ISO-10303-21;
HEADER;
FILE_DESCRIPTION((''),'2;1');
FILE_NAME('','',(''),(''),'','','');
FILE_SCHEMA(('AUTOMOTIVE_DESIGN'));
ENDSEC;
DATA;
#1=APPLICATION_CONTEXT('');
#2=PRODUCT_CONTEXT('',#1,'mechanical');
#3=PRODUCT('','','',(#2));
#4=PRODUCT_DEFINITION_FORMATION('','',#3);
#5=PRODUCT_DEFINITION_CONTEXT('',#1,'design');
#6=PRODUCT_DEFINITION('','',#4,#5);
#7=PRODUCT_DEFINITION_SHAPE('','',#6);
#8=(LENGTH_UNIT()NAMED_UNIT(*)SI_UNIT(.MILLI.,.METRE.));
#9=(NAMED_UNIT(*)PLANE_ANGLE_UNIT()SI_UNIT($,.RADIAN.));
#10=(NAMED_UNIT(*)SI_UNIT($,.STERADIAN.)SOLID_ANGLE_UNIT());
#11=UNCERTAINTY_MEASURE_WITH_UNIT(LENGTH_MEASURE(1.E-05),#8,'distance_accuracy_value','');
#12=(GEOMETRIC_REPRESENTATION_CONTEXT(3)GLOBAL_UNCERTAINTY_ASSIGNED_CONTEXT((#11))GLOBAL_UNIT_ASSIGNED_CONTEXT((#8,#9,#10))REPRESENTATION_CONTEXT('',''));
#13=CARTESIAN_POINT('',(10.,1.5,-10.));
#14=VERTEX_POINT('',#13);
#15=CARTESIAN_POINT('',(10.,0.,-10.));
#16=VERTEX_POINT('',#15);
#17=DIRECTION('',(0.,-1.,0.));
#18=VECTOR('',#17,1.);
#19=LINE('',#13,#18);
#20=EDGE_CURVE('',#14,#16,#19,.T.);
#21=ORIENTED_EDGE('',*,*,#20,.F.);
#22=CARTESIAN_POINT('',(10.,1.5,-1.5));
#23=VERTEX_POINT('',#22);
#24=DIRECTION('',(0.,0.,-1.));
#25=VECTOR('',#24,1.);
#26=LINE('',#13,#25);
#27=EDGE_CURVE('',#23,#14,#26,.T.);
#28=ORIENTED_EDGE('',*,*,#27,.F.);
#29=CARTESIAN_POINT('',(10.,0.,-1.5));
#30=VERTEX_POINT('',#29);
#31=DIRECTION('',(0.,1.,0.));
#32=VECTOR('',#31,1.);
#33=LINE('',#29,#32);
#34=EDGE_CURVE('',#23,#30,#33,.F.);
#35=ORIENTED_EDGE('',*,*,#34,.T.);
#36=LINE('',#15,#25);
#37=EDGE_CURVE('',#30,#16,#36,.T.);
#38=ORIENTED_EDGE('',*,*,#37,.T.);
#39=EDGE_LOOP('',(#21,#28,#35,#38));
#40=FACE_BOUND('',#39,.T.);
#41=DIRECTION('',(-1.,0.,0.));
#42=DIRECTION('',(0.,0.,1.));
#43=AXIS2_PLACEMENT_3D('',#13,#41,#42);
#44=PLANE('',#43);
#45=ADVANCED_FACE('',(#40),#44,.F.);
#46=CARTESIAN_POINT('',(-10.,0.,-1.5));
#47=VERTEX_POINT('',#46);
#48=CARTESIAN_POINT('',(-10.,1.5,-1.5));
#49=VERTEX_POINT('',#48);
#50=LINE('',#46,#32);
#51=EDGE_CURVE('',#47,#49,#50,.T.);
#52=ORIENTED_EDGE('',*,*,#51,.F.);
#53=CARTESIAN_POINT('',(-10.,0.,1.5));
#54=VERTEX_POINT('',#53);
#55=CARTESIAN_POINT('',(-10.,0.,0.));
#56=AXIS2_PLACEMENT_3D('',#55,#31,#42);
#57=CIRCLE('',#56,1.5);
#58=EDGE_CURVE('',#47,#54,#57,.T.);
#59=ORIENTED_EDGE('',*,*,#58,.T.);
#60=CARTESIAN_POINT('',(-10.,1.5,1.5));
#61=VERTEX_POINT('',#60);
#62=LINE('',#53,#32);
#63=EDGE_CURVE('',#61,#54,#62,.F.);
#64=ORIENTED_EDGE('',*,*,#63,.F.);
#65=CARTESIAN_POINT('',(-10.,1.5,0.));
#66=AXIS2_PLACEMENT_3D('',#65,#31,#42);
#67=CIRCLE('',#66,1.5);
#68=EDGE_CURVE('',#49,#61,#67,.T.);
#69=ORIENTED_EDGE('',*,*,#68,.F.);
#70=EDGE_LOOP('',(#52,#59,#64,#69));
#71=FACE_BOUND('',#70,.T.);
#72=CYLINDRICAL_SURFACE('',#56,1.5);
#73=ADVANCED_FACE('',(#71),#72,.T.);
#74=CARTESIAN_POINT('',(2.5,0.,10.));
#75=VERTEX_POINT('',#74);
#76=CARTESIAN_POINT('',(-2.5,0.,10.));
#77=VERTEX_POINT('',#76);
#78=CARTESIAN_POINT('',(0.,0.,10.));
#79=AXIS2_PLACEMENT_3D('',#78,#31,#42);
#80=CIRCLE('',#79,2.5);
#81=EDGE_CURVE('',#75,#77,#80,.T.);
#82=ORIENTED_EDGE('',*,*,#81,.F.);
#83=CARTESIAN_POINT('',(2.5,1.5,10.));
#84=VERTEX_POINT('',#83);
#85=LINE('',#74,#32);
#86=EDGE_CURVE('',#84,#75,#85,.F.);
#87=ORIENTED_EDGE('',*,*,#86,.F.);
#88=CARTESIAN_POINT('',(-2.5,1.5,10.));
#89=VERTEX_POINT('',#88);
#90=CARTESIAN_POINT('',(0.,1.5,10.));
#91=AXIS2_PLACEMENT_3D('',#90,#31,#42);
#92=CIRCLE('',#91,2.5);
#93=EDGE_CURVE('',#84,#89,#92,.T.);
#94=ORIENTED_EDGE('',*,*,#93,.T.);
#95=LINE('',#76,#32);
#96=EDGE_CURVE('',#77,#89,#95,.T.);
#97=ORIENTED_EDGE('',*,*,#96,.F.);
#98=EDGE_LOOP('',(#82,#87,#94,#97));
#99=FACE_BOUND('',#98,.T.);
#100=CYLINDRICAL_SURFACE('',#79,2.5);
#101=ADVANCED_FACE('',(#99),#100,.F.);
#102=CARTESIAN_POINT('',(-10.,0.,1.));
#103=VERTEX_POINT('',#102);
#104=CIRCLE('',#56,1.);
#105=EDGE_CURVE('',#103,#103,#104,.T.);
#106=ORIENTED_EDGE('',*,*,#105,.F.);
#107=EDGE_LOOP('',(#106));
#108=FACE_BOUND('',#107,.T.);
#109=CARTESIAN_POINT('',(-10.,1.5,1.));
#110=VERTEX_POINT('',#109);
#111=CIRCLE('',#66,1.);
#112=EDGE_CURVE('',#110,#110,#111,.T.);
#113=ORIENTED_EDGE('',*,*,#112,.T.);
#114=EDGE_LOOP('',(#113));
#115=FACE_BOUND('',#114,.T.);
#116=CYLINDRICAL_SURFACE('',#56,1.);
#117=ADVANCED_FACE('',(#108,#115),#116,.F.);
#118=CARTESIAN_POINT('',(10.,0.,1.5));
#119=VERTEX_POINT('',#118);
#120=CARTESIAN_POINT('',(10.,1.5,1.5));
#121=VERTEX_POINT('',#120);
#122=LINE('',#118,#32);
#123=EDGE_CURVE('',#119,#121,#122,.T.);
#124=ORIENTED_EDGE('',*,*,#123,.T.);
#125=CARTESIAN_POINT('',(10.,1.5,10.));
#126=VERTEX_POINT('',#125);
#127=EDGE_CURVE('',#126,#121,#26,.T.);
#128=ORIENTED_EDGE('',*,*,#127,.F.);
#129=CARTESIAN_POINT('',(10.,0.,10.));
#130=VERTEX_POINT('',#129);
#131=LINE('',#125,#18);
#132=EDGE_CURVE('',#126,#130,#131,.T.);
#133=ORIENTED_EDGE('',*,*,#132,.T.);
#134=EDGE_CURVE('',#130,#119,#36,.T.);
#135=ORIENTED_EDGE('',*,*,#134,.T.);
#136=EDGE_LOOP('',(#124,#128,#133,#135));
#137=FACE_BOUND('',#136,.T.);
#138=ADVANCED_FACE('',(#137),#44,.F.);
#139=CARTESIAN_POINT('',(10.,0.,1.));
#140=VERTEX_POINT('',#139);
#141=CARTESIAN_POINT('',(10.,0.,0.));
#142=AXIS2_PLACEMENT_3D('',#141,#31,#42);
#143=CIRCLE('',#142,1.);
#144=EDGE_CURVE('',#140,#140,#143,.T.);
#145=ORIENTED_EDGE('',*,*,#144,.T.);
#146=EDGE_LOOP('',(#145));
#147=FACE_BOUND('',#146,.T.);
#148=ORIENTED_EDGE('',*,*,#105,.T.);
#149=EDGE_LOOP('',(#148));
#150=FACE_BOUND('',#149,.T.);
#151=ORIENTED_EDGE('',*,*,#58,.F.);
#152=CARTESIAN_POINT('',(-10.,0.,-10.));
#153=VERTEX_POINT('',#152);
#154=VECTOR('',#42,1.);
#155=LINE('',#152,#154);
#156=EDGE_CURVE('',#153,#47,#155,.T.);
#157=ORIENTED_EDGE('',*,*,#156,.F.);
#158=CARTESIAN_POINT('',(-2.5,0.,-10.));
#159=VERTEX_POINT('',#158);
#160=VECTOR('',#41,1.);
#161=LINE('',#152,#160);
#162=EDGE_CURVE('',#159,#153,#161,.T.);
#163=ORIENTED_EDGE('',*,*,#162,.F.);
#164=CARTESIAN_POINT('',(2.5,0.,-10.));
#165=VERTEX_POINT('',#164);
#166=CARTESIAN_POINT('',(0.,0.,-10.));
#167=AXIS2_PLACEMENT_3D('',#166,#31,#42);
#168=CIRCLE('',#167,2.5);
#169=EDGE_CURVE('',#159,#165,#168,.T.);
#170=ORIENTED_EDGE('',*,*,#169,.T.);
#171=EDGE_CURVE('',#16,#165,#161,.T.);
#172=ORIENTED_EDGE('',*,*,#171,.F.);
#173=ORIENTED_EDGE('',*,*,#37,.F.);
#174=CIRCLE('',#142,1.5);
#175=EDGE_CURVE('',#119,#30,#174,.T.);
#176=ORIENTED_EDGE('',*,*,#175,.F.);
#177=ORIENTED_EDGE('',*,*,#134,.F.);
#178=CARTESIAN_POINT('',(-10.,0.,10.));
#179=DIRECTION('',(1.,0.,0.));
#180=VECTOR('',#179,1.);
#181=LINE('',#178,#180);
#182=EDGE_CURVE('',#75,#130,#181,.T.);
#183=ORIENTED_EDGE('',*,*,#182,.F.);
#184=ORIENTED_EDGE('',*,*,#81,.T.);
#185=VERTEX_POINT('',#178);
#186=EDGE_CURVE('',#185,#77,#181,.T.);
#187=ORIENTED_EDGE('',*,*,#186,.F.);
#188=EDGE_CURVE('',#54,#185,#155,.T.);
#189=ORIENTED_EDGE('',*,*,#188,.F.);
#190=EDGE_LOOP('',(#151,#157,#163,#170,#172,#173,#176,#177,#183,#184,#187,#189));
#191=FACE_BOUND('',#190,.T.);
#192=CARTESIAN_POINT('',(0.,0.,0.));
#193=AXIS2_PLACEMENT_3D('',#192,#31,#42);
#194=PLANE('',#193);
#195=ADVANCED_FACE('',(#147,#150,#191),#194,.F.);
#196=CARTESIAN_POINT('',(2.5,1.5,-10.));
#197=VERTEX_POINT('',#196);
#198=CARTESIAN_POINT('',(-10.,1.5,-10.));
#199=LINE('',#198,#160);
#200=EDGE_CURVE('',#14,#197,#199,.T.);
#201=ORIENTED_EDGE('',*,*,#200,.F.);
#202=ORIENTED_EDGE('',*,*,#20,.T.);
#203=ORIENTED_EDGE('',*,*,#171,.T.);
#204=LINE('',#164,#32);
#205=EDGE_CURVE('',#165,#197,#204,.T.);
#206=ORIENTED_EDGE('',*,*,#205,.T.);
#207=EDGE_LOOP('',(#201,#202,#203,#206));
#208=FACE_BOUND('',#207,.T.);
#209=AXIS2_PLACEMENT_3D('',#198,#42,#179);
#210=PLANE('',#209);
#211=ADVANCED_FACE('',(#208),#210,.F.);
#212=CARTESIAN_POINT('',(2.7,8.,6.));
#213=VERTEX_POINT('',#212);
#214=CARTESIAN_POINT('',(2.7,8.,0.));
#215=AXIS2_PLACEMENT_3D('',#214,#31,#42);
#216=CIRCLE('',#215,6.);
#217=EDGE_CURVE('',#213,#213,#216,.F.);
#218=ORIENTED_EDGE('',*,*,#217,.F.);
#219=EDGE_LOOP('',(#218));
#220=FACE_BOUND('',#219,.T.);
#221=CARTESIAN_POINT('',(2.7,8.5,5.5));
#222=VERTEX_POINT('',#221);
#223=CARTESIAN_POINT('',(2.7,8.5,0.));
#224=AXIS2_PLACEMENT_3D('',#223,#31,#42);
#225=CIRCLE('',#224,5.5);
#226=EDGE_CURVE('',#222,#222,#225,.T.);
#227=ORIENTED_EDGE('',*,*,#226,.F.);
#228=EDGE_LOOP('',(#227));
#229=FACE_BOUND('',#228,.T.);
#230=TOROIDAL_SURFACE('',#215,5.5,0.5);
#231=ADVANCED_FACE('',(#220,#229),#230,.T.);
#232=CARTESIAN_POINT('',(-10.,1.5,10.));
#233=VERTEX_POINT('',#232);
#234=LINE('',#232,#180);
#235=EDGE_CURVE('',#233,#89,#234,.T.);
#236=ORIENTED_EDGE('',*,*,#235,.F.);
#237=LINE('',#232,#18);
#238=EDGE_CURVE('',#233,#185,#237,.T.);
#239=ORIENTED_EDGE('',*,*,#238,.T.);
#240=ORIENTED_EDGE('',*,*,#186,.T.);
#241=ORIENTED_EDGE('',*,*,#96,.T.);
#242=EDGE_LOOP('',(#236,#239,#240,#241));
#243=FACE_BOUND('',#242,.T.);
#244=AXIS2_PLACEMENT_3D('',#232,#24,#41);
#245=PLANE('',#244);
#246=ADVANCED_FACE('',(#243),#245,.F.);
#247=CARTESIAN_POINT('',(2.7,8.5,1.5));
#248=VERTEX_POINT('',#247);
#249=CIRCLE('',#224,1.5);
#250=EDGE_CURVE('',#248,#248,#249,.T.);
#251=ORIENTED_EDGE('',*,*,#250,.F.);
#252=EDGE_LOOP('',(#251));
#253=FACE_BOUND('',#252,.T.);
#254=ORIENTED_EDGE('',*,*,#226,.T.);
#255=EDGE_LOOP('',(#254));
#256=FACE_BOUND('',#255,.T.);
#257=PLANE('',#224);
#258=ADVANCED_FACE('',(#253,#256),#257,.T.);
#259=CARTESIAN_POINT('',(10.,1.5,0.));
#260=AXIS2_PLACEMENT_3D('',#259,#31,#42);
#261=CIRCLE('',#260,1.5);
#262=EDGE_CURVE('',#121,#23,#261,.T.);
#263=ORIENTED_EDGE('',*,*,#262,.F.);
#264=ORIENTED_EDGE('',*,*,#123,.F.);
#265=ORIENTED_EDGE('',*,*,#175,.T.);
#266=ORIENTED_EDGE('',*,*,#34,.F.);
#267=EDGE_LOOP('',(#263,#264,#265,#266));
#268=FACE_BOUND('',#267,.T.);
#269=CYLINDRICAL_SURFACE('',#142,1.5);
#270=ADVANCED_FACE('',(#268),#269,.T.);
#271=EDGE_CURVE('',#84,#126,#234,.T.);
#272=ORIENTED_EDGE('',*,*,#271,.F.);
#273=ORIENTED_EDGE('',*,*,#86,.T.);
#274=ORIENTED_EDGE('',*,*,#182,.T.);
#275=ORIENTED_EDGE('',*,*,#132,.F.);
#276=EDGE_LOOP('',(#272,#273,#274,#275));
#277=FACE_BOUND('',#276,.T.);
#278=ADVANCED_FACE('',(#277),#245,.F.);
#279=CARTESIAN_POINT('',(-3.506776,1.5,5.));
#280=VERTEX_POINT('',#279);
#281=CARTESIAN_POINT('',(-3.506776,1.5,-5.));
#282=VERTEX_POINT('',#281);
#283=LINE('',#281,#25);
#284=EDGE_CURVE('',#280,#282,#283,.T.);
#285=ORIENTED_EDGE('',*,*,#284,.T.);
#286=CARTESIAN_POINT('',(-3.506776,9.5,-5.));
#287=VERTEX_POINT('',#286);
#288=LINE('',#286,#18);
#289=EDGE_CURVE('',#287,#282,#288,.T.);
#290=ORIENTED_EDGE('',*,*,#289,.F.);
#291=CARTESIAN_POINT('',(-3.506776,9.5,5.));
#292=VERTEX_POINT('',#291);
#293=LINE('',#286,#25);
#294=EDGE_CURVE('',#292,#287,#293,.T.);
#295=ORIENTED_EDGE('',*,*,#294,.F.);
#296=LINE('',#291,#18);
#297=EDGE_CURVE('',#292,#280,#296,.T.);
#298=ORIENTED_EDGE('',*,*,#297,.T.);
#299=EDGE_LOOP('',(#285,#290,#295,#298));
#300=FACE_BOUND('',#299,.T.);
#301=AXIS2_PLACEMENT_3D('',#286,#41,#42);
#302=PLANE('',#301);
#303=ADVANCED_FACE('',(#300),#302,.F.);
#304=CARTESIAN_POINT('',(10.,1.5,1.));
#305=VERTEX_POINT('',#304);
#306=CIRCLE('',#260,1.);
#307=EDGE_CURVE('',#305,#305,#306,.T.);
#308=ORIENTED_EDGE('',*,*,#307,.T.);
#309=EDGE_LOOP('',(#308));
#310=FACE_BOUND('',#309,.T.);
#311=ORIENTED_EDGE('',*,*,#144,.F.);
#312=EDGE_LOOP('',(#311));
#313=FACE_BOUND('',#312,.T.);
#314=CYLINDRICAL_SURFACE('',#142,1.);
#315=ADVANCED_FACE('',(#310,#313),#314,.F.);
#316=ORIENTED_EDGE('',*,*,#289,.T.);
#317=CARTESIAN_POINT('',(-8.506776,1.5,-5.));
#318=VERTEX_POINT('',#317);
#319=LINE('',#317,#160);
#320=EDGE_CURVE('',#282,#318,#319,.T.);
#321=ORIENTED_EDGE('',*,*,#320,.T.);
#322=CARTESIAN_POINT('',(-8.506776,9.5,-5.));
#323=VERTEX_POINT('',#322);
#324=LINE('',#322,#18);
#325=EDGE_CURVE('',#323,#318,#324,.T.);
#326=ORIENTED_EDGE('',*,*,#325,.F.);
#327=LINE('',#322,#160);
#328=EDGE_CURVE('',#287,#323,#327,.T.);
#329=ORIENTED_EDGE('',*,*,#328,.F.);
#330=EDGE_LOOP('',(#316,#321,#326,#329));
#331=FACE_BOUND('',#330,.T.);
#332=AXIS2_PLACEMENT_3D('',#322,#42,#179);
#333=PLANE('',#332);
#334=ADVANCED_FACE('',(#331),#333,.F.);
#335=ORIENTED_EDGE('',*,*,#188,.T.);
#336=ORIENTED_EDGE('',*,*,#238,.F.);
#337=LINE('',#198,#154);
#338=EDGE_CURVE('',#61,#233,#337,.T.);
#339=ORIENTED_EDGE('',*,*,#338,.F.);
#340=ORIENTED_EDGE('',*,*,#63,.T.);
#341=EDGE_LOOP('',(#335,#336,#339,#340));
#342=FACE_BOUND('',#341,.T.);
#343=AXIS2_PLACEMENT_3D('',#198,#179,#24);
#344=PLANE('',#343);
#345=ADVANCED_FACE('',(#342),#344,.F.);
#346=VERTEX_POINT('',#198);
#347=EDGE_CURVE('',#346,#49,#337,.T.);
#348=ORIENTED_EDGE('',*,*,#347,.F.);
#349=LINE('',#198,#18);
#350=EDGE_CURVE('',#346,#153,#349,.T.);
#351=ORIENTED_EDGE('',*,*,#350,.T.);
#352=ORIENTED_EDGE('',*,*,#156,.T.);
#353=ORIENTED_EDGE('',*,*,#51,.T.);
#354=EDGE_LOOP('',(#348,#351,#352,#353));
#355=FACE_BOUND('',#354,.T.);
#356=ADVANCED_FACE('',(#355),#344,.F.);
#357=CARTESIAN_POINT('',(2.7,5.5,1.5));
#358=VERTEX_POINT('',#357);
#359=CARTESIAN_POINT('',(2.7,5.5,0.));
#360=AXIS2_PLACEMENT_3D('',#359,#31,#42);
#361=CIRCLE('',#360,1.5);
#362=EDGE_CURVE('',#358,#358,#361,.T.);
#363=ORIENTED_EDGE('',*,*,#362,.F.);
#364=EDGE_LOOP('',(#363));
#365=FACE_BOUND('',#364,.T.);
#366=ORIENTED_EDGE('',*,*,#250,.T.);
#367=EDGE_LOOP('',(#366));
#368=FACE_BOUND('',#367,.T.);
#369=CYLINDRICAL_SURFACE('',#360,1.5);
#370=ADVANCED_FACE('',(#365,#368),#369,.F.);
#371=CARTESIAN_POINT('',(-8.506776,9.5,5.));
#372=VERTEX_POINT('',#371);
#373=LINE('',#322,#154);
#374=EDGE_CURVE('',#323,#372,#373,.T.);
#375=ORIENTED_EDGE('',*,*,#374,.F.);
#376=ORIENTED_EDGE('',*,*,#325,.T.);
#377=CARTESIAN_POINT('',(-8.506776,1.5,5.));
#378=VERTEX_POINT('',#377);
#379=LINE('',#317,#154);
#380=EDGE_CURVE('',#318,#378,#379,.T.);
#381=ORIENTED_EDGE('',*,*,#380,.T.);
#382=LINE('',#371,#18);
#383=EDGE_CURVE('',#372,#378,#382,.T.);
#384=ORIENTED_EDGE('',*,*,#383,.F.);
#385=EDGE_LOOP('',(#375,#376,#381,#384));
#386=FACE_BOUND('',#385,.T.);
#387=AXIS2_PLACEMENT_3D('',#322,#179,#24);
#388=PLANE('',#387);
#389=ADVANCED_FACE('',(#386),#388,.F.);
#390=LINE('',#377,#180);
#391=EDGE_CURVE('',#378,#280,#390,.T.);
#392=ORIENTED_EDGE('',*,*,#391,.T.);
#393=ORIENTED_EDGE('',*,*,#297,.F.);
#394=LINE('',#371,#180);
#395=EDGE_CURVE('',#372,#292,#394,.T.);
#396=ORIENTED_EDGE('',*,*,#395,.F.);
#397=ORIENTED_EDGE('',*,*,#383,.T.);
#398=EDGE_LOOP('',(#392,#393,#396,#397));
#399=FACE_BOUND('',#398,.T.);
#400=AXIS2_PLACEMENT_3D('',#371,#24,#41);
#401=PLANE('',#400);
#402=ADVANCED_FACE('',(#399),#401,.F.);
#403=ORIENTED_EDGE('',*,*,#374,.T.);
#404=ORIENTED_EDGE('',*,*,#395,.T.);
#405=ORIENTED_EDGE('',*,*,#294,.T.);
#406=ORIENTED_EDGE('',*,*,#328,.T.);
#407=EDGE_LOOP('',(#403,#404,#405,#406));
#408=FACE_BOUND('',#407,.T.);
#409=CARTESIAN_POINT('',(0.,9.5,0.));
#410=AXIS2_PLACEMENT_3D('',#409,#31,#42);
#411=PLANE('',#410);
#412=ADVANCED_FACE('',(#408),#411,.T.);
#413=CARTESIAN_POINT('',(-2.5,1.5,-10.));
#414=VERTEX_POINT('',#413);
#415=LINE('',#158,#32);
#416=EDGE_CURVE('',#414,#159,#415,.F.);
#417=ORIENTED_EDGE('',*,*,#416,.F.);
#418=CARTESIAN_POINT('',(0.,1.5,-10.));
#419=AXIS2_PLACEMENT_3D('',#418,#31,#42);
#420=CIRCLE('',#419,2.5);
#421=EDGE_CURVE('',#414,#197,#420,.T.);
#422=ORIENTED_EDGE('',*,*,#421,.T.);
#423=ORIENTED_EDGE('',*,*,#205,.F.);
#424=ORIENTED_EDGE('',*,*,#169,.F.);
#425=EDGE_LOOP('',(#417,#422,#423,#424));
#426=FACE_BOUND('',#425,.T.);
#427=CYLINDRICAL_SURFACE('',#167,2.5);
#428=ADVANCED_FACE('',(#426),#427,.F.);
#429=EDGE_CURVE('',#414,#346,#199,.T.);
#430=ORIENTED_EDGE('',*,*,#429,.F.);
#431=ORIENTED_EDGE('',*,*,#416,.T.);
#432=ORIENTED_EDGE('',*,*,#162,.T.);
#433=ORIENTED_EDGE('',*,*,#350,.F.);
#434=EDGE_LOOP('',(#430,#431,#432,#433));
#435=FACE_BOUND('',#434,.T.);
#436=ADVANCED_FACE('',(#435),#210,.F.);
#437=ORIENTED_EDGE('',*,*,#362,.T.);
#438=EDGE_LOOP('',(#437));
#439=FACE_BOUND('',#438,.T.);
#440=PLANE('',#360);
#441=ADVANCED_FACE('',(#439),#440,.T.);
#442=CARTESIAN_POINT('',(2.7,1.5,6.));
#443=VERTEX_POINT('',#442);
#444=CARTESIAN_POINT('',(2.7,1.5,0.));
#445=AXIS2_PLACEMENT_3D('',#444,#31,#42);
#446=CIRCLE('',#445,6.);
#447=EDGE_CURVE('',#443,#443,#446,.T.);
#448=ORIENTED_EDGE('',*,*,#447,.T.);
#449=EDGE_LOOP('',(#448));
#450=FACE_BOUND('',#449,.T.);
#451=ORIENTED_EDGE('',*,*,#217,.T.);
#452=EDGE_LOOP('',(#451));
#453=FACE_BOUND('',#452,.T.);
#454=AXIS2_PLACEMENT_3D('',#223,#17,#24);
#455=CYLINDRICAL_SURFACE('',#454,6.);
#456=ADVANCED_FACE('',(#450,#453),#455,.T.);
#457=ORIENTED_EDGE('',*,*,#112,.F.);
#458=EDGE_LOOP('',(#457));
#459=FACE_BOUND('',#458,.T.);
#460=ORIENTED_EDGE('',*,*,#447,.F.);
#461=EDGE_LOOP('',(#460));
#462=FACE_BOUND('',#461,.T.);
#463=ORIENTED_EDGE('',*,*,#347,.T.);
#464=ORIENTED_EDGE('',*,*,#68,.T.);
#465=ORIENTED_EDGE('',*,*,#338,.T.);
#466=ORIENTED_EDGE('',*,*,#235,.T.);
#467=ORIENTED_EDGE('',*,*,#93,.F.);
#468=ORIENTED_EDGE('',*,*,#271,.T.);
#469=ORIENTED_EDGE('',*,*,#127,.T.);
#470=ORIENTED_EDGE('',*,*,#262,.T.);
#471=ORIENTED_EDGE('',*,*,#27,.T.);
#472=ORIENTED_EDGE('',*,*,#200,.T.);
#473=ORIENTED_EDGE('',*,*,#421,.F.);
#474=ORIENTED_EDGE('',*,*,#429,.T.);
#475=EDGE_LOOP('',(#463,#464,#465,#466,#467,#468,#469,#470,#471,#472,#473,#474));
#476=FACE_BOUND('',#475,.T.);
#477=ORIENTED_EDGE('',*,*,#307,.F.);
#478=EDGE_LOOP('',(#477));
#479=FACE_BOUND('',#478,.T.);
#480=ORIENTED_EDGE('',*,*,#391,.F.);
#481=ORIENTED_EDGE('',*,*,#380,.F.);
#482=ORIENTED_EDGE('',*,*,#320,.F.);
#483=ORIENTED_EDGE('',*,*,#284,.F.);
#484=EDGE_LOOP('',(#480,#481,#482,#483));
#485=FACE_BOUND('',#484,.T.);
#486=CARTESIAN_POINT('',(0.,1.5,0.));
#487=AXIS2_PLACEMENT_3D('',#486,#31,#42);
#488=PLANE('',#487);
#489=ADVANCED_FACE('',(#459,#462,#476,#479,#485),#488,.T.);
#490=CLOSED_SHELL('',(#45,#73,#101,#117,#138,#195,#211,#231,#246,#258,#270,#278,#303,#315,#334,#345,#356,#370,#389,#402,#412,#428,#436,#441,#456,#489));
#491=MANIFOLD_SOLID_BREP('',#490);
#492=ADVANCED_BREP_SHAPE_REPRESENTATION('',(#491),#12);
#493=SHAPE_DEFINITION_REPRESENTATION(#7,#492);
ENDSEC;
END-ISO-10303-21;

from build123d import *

# Parameters (mm, degrees)
SKETCH3_W           = 20
SKETCH3_H           = 20
BOSS_EXTRUDE1_DEPTH = 1.5
SKETCH4_R           = 1.5
BOSS_EXTRUDE2_DEPTH = 1.5
SKETCH5_R           = 1
SKETCH5_R_2         = 2.5
CUT_EXTRUDE1_DEPTH  = 1.5
SKETCH6_W           = 5
SKETCH6_H           = 10
BOSS_EXTRUDE3_DEPTH = 8
SKETCH7_R           = 6
BOSS_EXTRUDE4_DEPTH = 7
FILLET1_R           = 0.5
SKETCH8_R           = 1.5
CUT_EXTRUDE2_DEPTH  = 3


with BuildPart() as part:
    # Sketch3 → Boss-Extrude1 (new body)
    with BuildSketch(Plane(origin=(0, 0, 0), x_dir=(1, 0, 0), z_dir=(0, 1, 0))):
        Rectangle(SKETCH3_W, SKETCH3_H)
    extrude(amount=BOSS_EXTRUDE1_DEPTH)

    # Sketch4 → Boss-Extrude2 (add)
    with BuildSketch(Plane(origin=(0, 1.5, 0), x_dir=(1, 0, 0), z_dir=(0, 1, 0))):
        with Locations((-10, 0)):
            Circle(SKETCH4_R)
        with Locations((10, 0)):
            Circle(SKETCH4_R)
    extrude(amount=-BOSS_EXTRUDE2_DEPTH)

    # Sketch5 → Cut-Extrude1 (cut)
    with BuildSketch(Plane(origin=(0, 1.5, 0), x_dir=(1, 0, 0), z_dir=(0, 1, 0))):
        with Locations((-10, 0)):
            Circle(SKETCH5_R)
        with Locations((10, 0)):
            Circle(SKETCH5_R)
        with Locations((0, 10)):
            Circle(SKETCH5_R_2)
        with Locations((0, -10)):
            Circle(SKETCH5_R_2)
    extrude(amount=-CUT_EXTRUDE1_DEPTH, mode=Mode.SUBTRACT)

    # Sketch6 → Boss-Extrude3 (add)
    with BuildSketch(Plane(origin=(0, 1.5, 0), x_dir=(1, 0, 0), z_dir=(0, 1, 0))):
        with Locations((-6.006775527, 0)):
            Rectangle(SKETCH6_W, SKETCH6_H)
    extrude(amount=BOSS_EXTRUDE3_DEPTH)

    # Sketch7 → Boss-Extrude4 (add)
    with BuildSketch(Plane(origin=(0, 1.5, 0), x_dir=(1, 0, 0), z_dir=(0, 1, 0))):
        with Locations((2.7, 0)):
            Circle(SKETCH7_R)
    extrude(amount=BOSS_EXTRUDE4_DEPTH)

    # Fillet1
    fillet1_edges = [part.edges().sort_by_distance(p)[0] for p in [
        (-3.3, 8.5, 0),
    ]]
    fillet(fillet1_edges, radius=FILLET1_R)

    # Sketch8 → Cut-Extrude2 (cut)
    with BuildSketch(Plane(origin=(0, 8.5, 0), x_dir=(1, 0, 0), z_dir=(0, 1, 0))):
        with Locations((2.7, 0)):
            Circle(SKETCH8_R)
    extrude(amount=-CUT_EXTRUDE2_DEPTH, mode=Mode.SUBTRACT)


solid = part.part
